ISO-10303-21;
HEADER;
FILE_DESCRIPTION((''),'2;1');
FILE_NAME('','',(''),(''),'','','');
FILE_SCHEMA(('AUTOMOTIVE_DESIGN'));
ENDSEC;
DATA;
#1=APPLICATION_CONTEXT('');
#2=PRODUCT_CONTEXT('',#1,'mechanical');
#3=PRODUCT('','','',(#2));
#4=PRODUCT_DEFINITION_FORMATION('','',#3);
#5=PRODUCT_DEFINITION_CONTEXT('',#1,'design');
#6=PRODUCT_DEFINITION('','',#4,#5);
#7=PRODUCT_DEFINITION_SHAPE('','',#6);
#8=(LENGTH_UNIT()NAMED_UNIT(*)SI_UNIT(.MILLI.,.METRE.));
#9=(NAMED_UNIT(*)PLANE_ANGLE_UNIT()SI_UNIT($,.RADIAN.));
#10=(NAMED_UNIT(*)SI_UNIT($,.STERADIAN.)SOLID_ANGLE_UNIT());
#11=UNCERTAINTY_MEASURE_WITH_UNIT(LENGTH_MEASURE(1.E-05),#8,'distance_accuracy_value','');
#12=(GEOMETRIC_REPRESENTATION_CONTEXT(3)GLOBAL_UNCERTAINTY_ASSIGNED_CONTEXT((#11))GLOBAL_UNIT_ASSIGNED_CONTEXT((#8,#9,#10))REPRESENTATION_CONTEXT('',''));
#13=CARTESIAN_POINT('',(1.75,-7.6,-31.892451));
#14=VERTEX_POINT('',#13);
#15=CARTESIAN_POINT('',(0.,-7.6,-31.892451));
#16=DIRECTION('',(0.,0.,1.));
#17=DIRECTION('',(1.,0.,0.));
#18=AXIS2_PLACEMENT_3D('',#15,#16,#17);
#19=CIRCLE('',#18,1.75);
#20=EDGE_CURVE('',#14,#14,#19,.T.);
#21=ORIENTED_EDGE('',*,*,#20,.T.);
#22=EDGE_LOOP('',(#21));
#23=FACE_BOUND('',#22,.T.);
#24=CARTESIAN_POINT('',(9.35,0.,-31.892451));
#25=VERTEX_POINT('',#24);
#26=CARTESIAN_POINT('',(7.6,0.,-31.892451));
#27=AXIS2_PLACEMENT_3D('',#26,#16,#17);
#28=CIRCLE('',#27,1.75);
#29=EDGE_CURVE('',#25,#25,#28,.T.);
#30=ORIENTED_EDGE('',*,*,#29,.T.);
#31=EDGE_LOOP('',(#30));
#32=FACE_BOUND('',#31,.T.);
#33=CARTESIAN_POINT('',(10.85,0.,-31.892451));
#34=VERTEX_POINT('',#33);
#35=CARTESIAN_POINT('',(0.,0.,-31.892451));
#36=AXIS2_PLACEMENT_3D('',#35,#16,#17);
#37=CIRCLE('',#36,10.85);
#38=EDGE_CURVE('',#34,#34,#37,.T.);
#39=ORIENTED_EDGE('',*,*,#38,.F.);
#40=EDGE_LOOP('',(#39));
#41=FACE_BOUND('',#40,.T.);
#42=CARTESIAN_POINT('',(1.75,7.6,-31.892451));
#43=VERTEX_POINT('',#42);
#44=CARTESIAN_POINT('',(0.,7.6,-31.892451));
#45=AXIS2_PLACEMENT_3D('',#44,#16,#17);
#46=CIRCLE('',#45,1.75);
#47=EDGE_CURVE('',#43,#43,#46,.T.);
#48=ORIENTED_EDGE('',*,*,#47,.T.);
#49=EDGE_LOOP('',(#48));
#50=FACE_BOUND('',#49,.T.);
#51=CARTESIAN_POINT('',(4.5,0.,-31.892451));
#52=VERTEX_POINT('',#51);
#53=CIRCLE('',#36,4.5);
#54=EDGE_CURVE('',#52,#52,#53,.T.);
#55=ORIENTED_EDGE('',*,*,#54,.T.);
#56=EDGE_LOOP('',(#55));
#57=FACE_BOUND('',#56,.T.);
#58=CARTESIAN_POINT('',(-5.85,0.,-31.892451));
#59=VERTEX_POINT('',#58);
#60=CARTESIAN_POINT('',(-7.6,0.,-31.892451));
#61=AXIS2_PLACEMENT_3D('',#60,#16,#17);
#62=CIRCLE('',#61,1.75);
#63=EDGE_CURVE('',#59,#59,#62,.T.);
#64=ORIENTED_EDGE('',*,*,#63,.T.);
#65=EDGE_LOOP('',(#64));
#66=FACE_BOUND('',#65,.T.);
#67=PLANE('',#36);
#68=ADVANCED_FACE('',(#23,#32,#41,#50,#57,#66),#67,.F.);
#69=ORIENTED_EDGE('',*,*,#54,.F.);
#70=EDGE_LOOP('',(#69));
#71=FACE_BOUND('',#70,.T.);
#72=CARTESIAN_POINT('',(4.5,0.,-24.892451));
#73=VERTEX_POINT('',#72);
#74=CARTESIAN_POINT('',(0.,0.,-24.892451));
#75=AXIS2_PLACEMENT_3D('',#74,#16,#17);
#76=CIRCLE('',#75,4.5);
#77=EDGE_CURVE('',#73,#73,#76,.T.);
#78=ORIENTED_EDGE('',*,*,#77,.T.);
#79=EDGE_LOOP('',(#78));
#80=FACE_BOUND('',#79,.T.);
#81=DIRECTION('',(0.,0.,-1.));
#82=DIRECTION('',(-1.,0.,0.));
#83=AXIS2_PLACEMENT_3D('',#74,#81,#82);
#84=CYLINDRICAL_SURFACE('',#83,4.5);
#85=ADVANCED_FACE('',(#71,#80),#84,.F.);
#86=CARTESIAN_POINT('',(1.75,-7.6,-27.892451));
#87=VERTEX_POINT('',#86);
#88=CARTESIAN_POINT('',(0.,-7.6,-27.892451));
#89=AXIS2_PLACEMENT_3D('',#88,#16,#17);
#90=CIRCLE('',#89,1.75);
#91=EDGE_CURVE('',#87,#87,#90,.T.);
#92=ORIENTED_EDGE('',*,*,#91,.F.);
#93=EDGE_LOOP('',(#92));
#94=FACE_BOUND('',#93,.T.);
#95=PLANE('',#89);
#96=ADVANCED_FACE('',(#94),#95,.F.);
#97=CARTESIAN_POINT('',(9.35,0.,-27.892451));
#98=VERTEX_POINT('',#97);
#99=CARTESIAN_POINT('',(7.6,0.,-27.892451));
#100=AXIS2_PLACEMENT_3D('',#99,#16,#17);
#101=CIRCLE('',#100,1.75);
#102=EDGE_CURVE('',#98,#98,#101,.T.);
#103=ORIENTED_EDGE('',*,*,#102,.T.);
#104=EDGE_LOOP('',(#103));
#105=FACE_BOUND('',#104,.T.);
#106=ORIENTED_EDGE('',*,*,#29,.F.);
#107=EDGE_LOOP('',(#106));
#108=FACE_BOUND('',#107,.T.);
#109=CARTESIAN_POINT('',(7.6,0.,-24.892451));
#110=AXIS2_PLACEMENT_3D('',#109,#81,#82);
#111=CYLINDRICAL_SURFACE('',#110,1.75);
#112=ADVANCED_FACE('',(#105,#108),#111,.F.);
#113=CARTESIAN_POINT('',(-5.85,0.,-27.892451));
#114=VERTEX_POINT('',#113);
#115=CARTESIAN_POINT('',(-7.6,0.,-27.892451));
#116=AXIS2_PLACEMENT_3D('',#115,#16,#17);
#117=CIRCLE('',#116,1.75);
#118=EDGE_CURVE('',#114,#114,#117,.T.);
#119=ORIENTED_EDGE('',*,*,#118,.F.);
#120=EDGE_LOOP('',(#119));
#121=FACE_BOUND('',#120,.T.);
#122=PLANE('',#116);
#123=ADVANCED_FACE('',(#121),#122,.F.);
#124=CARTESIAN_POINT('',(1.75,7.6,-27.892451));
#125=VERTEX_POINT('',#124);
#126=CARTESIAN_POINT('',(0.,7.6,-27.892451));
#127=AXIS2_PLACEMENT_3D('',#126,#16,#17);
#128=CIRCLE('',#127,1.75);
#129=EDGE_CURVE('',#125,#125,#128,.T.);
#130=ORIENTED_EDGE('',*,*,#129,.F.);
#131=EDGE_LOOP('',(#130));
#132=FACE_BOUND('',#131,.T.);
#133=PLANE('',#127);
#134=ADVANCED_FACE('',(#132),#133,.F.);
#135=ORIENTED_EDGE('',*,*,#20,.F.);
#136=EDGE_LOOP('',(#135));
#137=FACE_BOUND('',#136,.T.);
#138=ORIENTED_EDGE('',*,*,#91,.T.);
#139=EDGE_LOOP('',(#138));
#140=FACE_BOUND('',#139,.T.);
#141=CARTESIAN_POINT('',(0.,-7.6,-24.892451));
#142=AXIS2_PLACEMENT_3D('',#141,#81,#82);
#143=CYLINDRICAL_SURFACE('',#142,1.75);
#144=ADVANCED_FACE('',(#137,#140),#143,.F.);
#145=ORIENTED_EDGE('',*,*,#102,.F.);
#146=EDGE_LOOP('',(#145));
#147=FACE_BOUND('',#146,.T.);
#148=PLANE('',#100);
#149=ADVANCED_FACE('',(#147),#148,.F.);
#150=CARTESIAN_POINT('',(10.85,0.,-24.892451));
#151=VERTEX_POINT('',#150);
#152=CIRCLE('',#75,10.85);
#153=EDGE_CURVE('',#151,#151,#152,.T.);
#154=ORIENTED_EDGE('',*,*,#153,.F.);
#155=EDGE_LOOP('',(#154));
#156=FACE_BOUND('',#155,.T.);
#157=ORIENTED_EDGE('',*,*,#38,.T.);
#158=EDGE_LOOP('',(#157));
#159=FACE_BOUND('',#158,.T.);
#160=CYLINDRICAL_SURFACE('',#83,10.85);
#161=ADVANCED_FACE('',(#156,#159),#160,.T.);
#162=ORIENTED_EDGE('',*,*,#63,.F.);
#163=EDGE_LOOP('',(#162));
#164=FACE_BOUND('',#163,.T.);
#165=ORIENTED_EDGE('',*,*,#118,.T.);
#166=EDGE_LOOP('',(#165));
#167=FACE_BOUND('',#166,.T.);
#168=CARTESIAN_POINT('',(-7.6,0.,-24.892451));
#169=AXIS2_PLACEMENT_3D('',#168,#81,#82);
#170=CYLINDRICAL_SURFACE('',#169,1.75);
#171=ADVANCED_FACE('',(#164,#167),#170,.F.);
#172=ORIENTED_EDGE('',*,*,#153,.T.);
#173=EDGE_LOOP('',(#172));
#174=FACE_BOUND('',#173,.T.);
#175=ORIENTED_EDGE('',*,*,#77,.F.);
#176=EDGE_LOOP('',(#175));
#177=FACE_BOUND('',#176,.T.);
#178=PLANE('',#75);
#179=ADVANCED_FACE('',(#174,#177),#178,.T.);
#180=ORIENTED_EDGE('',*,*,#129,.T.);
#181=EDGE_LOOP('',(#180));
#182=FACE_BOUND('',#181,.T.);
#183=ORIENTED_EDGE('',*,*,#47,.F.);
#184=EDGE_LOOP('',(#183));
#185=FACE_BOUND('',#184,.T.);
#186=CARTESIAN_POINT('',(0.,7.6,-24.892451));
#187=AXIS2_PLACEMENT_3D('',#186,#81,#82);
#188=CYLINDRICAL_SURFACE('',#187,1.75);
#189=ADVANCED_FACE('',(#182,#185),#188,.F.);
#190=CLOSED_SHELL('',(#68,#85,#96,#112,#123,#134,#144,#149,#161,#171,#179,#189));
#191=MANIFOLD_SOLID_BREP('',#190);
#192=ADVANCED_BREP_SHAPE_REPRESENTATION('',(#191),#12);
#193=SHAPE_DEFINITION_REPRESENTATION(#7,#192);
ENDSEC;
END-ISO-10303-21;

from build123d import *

# Parameters (mm, degrees)
SKETCH2_R           = 10.85
SKETCH2_R_2         = 1.75
SKETCH2_R_3         = 4.5
BOSS_EXTRUDE1_DEPTH = 7
SKETCH3_R           = 1.75
BOSS_EXTRUDE2_DEPTH = 3


with BuildPart() as part:
    # Sketch2 → Boss-Extrude1 (new body)
    with BuildSketch(Plane.XY.offset(-31.892451267)):
        Circle(SKETCH2_R)
        with Locations((-7.6, 0)):
            Circle(SKETCH2_R_2, mode=Mode.SUBTRACT)
        with Locations((7.6, 0)):
            Circle(SKETCH2_R_2, mode=Mode.SUBTRACT)
        Circle(SKETCH2_R_3, mode=Mode.SUBTRACT)
        with Locations((0, 7.6)):
            Circle(SKETCH2_R_2, mode=Mode.SUBTRACT)
        with Locations((0, -7.6)):
            Circle(SKETCH2_R_2, mode=Mode.SUBTRACT)
    extrude(amount=BOSS_EXTRUDE1_DEPTH)

    # Sketch3 → Boss-Extrude2 (add)
    with BuildSketch(Plane.XY.offset(-24.892451267)):
        with Locations((0, 7.6)):
            Circle(SKETCH3_R)
        with Locations((-7.6, 0)):
            Circle(SKETCH3_R)
        with Locations((0, -7.6)):
            Circle(SKETCH3_R)
        with Locations((7.6, 0)):
            Circle(SKETCH3_R)
    extrude(amount=-BOSS_EXTRUDE2_DEPTH)


solid = part.part
